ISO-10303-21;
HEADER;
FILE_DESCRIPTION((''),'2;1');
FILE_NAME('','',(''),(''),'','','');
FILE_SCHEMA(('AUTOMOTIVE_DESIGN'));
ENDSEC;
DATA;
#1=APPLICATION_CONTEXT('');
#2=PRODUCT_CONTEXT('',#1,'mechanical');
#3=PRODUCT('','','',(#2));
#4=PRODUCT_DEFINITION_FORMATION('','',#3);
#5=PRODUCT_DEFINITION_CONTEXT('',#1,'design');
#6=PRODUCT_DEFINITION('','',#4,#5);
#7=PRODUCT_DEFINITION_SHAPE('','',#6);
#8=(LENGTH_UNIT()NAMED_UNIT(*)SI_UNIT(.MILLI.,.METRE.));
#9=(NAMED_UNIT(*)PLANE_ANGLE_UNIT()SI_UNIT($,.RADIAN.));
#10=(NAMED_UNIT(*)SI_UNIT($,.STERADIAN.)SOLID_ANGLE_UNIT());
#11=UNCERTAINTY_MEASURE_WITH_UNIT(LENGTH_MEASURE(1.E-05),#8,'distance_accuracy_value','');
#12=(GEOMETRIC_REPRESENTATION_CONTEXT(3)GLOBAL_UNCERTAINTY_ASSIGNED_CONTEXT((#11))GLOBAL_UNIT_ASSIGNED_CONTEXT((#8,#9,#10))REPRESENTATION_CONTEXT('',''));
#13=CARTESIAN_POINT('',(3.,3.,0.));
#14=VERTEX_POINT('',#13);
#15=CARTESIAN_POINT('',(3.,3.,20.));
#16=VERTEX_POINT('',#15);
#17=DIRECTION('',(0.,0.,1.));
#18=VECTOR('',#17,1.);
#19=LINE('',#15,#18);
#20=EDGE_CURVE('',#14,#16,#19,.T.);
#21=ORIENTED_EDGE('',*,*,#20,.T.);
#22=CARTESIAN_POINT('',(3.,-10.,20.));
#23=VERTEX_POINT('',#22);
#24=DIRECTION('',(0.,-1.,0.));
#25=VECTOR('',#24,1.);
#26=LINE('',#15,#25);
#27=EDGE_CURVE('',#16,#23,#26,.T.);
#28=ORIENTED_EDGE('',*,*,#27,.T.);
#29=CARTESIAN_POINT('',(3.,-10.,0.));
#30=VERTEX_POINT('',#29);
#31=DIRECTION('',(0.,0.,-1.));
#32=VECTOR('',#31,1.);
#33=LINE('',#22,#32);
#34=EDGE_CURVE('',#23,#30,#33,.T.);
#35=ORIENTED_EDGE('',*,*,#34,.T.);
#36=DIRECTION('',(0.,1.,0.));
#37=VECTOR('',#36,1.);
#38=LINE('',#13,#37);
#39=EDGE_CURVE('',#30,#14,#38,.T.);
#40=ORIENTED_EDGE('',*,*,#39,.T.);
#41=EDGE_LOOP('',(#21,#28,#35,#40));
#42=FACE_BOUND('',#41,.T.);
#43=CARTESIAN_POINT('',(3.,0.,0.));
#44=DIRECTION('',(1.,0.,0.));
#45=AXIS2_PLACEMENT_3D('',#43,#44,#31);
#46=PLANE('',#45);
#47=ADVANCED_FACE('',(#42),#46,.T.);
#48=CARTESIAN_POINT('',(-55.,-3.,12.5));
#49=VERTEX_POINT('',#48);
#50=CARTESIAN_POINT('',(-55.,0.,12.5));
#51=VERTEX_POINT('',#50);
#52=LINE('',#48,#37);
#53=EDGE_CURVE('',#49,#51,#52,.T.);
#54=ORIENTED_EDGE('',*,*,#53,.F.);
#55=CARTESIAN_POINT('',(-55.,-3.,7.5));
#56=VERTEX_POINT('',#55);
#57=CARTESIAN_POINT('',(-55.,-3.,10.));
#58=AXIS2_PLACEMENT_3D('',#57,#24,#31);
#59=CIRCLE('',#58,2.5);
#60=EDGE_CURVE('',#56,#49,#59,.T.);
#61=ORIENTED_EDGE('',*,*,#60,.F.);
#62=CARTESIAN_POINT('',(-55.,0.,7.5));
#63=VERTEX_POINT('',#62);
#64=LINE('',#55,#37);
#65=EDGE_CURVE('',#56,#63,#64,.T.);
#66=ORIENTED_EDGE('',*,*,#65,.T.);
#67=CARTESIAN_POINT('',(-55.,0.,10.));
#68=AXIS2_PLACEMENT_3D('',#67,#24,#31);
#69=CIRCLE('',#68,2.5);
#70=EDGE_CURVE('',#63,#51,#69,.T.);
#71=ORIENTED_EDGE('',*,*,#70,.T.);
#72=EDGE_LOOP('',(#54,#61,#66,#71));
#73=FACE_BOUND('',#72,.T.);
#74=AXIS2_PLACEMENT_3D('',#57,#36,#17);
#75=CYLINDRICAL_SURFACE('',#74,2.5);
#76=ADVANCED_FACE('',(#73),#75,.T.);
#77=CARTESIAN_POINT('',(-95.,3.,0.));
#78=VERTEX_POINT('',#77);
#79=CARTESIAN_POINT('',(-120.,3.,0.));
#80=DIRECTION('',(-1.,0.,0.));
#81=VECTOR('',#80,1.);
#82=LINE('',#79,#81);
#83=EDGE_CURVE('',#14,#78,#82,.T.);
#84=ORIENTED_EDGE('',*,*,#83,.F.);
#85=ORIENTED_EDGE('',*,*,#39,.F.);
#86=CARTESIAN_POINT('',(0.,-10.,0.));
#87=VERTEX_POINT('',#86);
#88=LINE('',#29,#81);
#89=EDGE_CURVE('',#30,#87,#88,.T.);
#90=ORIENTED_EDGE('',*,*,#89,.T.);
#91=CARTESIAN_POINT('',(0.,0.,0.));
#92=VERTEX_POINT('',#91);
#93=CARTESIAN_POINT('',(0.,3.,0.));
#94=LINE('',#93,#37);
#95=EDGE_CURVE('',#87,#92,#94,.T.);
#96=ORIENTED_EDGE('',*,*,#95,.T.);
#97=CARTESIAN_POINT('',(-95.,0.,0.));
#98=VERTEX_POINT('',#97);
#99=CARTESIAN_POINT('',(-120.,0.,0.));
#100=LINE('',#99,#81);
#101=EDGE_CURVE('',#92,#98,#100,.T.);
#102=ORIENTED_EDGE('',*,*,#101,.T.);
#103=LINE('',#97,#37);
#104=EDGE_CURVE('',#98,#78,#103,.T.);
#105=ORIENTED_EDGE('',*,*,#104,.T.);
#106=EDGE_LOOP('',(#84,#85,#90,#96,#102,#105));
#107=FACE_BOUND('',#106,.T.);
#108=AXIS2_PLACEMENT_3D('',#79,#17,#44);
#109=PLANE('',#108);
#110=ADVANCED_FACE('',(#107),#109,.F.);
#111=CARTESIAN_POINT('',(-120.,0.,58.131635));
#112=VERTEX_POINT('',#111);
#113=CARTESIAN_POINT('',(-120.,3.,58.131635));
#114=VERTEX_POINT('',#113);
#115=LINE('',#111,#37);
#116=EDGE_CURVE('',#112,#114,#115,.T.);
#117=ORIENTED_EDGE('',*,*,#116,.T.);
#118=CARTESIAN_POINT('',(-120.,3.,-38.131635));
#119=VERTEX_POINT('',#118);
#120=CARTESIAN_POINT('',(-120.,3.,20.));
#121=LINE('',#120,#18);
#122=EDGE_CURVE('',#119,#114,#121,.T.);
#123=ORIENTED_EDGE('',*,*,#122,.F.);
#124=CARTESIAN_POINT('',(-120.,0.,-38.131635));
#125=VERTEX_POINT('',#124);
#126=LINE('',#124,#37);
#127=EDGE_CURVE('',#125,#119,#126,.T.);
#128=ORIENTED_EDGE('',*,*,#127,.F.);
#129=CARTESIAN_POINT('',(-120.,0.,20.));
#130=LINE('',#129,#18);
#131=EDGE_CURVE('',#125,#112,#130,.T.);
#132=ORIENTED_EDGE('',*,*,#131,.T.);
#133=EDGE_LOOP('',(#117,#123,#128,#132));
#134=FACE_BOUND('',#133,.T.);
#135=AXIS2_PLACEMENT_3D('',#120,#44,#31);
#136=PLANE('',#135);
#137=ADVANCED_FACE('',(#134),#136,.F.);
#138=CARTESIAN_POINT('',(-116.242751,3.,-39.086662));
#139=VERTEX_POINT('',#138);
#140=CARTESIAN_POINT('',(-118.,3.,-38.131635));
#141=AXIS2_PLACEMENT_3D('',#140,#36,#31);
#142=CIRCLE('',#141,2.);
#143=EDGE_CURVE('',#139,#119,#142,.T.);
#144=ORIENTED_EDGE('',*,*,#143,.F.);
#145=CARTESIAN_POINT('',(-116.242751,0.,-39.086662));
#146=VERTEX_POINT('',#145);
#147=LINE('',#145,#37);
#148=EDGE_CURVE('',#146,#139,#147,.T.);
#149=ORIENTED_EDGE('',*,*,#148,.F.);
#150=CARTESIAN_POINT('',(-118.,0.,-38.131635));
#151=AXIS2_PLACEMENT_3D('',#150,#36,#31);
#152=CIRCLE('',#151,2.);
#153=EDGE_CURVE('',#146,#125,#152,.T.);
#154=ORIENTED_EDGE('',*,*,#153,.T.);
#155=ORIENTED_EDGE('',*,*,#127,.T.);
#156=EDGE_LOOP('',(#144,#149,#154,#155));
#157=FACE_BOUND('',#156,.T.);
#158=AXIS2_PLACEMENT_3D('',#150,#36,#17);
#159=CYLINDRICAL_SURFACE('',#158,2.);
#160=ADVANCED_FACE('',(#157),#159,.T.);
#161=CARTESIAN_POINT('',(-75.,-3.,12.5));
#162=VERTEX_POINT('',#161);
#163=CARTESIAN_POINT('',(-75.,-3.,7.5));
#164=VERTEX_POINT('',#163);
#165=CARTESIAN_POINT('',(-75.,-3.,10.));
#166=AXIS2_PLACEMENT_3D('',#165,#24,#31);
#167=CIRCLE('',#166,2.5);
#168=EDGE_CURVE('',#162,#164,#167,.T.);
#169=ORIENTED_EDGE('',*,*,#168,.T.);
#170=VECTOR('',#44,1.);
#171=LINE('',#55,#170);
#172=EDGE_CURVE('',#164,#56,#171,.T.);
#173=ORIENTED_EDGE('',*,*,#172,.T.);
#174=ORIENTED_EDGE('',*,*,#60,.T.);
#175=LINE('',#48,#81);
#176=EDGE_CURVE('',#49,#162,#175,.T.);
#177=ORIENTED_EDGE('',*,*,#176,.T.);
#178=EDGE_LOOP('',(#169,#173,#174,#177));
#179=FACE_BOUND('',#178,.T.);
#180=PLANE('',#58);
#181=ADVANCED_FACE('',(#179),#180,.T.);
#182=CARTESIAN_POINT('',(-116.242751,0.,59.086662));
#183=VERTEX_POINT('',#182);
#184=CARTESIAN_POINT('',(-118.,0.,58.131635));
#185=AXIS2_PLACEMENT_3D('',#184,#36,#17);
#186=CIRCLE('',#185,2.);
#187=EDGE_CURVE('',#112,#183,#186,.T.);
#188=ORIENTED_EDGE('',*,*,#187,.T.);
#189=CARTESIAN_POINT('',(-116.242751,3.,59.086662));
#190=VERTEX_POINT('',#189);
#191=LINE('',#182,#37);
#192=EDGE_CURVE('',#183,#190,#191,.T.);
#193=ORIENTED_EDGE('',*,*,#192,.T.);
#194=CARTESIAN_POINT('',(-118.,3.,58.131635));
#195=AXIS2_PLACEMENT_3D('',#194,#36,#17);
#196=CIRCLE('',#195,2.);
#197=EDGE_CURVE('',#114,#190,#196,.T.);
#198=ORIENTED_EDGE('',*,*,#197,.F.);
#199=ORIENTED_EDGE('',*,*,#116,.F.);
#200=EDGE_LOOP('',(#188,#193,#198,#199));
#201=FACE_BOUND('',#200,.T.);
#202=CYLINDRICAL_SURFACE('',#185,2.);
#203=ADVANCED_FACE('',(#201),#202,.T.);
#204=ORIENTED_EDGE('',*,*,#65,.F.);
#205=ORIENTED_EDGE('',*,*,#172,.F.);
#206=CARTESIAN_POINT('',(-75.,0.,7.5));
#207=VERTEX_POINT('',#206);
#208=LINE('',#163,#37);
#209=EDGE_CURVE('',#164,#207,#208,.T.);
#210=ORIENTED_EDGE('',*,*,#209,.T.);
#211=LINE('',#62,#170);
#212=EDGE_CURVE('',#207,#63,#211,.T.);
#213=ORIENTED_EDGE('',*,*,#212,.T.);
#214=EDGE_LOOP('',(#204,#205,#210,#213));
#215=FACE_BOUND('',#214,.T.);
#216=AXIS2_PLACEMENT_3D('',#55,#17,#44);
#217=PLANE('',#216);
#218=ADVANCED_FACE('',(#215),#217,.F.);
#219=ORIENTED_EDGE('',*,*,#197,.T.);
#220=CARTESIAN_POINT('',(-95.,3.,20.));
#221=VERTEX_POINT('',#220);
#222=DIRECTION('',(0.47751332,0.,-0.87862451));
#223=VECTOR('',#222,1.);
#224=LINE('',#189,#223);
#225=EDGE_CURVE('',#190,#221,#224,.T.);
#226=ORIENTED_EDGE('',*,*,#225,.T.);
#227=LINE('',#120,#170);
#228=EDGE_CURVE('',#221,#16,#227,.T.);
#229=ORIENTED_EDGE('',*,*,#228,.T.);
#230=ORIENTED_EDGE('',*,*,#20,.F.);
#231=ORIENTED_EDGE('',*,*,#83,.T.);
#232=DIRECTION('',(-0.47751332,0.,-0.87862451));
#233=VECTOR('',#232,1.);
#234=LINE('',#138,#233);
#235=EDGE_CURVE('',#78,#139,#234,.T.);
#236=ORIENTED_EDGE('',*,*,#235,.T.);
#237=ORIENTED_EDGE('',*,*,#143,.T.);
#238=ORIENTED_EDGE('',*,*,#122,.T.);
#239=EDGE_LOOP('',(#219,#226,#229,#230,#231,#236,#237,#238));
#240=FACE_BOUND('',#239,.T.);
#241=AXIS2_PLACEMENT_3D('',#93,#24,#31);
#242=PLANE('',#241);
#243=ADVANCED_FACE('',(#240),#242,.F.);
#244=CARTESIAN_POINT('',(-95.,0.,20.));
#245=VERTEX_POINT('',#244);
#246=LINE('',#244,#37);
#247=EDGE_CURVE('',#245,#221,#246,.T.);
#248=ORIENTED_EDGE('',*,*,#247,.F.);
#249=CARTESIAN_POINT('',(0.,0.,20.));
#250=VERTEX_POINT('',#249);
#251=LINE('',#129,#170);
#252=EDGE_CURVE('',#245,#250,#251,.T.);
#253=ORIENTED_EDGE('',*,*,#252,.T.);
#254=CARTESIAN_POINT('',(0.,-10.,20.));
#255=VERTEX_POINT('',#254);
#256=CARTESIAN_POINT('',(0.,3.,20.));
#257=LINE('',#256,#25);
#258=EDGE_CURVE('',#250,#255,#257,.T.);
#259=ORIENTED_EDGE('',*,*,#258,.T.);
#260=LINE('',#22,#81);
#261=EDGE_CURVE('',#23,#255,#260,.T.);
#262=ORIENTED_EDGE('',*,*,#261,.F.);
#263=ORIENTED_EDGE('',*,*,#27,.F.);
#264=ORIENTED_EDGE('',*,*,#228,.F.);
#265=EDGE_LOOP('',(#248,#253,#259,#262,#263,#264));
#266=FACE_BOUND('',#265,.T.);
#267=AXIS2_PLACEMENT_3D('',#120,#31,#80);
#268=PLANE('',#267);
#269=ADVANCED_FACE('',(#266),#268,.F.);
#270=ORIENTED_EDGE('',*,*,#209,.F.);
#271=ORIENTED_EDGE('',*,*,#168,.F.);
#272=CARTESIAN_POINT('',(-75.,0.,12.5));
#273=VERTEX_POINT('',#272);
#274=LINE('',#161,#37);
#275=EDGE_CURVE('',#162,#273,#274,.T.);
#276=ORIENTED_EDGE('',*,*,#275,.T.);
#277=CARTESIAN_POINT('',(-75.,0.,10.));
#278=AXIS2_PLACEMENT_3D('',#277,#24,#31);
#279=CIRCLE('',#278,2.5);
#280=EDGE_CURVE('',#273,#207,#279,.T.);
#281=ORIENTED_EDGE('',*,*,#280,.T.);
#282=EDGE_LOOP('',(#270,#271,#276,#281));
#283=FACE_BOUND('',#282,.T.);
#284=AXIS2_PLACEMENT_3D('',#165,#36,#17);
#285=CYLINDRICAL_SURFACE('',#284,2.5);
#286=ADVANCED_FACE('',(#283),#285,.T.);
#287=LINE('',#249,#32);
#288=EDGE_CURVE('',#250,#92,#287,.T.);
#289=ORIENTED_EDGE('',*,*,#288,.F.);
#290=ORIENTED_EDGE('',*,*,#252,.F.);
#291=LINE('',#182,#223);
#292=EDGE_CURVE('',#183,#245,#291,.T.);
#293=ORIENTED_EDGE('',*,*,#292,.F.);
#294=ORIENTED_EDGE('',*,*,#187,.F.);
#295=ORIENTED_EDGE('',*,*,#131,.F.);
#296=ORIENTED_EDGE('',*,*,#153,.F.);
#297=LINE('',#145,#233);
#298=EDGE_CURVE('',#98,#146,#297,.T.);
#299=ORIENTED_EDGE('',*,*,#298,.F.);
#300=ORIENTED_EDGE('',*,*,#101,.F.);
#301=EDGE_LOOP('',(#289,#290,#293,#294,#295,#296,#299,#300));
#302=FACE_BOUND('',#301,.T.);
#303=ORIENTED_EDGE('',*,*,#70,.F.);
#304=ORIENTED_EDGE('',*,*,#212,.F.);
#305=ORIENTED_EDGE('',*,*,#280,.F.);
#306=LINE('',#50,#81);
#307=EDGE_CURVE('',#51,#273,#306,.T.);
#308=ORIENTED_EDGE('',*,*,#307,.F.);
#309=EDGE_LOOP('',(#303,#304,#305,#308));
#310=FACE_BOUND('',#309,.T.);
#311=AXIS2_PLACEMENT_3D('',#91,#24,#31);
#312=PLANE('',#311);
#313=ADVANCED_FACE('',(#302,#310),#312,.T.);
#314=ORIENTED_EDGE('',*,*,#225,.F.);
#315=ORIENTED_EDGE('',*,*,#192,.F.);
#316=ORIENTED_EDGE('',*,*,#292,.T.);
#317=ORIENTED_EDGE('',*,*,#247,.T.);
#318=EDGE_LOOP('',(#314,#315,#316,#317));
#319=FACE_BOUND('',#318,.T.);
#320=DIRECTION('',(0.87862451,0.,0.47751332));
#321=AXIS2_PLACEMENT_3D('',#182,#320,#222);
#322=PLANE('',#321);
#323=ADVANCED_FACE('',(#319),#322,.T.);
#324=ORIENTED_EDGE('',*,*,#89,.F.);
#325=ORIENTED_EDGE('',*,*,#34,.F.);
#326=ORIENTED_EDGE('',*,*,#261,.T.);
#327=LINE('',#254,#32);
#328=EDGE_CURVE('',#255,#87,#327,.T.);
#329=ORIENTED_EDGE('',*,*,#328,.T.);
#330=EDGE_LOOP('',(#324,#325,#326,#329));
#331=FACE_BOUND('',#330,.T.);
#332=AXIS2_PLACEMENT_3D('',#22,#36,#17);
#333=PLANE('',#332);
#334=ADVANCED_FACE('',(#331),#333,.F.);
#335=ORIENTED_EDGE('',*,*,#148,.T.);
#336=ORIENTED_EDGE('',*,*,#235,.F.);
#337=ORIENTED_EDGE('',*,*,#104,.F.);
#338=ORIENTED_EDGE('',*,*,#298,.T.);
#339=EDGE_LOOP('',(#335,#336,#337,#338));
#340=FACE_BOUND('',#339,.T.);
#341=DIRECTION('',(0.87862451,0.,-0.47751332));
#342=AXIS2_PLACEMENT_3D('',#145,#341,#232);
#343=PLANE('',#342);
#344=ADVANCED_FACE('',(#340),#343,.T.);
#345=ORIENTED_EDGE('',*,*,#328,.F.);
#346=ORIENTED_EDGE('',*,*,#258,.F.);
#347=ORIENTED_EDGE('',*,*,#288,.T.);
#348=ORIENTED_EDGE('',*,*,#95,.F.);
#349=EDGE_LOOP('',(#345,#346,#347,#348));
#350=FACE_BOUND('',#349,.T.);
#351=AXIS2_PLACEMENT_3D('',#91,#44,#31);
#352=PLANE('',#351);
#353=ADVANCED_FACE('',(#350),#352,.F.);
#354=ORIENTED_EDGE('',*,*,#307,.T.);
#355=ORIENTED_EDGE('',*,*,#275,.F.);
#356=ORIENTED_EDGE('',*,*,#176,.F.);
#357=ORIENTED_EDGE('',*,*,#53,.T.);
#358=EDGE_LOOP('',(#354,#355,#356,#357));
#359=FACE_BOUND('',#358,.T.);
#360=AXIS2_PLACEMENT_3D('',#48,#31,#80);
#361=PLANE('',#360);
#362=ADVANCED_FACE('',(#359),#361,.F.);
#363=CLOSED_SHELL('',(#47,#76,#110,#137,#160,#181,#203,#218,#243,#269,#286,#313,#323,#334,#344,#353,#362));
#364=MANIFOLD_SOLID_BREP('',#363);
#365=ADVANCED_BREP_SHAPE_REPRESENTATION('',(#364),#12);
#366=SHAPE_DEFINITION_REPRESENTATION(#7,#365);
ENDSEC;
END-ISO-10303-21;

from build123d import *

# Parameters (mm, degrees)
SKETCH1_W           = 120
SKETCH1_H           = 20
BOSS_EXTRUDE1_DEPTH = 3
SKETCH2_W           = 20
SKETCH2_H           = 13
BOSS_EXTRUDE2_DEPTH = 3
BOSS_EXTRUDE3_DEPTH = 3
BOSS_EXTRUDE4_DEPTH = 3


with BuildPart() as part:
    # Sketch1 → Boss-Extrude1 (new body)
    with BuildSketch(Plane(origin=(0, 0, 0), x_dir=(1, 0, 0), z_dir=(0, 1, 0))):
        with Locations((-60, -10)):
            Rectangle(SKETCH1_W, SKETCH1_H)
    extrude(amount=BOSS_EXTRUDE1_DEPTH)

    # Sketch2 → Boss-Extrude2 (add)
    with BuildSketch(Plane(origin=(0, 0, 0), x_dir=(0, 0, -1), z_dir=(1, 0, 0))):
        with Locations((-10, -3.5)):
            Rectangle(SKETCH2_W, SKETCH2_H)
    extrude(amount=BOSS_EXTRUDE2_DEPTH)

    # Sketch3 → Boss-Extrude3 (add)
    with BuildSketch(Plane(origin=(0, 3, 0), x_dir=(1, 0, 0), z_dir=(0, 1, 0))):
        with BuildLine():
            Line((-120, -20), (-120, -58.131635164))
            ThreePointArc((-120, -58.131635164), (-118.492697657, -60.069997622), (-116.242750981, -59.086661805))
            Line((-116.242750981, -59.086661805), (-95, -20))
            Line((-95, -20), (-120, -20))
        make_face()
        with BuildLine():
            Line((-120, 0), (-120, 38.131635164))
            ThreePointArc((-120, 38.131635164), (-118.492697657, 40.069997622), (-116.242750981, 39.086661805))
            Line((-116.242750981, 39.086661805), (-95, 0))
            Line((-95, 0), (-120, 0))
        make_face()
    extrude(amount=-BOSS_EXTRUDE3_DEPTH)

    # Sketch5 → Boss-Extrude4 (add)
    with BuildSketch(Plane.XZ):
        with BuildLine():
            Line((-55, 7.5), (-75, 7.5))
            ThreePointArc((-75, 7.5), (-77.5, 10), (-75, 12.5))
            Line((-75, 12.5), (-55, 12.5))
            ThreePointArc((-55, 12.5), (-52.5, 10), (-55, 7.5))
        make_face()
    extrude(amount=BOSS_EXTRUDE4_DEPTH)


solid = part.part
